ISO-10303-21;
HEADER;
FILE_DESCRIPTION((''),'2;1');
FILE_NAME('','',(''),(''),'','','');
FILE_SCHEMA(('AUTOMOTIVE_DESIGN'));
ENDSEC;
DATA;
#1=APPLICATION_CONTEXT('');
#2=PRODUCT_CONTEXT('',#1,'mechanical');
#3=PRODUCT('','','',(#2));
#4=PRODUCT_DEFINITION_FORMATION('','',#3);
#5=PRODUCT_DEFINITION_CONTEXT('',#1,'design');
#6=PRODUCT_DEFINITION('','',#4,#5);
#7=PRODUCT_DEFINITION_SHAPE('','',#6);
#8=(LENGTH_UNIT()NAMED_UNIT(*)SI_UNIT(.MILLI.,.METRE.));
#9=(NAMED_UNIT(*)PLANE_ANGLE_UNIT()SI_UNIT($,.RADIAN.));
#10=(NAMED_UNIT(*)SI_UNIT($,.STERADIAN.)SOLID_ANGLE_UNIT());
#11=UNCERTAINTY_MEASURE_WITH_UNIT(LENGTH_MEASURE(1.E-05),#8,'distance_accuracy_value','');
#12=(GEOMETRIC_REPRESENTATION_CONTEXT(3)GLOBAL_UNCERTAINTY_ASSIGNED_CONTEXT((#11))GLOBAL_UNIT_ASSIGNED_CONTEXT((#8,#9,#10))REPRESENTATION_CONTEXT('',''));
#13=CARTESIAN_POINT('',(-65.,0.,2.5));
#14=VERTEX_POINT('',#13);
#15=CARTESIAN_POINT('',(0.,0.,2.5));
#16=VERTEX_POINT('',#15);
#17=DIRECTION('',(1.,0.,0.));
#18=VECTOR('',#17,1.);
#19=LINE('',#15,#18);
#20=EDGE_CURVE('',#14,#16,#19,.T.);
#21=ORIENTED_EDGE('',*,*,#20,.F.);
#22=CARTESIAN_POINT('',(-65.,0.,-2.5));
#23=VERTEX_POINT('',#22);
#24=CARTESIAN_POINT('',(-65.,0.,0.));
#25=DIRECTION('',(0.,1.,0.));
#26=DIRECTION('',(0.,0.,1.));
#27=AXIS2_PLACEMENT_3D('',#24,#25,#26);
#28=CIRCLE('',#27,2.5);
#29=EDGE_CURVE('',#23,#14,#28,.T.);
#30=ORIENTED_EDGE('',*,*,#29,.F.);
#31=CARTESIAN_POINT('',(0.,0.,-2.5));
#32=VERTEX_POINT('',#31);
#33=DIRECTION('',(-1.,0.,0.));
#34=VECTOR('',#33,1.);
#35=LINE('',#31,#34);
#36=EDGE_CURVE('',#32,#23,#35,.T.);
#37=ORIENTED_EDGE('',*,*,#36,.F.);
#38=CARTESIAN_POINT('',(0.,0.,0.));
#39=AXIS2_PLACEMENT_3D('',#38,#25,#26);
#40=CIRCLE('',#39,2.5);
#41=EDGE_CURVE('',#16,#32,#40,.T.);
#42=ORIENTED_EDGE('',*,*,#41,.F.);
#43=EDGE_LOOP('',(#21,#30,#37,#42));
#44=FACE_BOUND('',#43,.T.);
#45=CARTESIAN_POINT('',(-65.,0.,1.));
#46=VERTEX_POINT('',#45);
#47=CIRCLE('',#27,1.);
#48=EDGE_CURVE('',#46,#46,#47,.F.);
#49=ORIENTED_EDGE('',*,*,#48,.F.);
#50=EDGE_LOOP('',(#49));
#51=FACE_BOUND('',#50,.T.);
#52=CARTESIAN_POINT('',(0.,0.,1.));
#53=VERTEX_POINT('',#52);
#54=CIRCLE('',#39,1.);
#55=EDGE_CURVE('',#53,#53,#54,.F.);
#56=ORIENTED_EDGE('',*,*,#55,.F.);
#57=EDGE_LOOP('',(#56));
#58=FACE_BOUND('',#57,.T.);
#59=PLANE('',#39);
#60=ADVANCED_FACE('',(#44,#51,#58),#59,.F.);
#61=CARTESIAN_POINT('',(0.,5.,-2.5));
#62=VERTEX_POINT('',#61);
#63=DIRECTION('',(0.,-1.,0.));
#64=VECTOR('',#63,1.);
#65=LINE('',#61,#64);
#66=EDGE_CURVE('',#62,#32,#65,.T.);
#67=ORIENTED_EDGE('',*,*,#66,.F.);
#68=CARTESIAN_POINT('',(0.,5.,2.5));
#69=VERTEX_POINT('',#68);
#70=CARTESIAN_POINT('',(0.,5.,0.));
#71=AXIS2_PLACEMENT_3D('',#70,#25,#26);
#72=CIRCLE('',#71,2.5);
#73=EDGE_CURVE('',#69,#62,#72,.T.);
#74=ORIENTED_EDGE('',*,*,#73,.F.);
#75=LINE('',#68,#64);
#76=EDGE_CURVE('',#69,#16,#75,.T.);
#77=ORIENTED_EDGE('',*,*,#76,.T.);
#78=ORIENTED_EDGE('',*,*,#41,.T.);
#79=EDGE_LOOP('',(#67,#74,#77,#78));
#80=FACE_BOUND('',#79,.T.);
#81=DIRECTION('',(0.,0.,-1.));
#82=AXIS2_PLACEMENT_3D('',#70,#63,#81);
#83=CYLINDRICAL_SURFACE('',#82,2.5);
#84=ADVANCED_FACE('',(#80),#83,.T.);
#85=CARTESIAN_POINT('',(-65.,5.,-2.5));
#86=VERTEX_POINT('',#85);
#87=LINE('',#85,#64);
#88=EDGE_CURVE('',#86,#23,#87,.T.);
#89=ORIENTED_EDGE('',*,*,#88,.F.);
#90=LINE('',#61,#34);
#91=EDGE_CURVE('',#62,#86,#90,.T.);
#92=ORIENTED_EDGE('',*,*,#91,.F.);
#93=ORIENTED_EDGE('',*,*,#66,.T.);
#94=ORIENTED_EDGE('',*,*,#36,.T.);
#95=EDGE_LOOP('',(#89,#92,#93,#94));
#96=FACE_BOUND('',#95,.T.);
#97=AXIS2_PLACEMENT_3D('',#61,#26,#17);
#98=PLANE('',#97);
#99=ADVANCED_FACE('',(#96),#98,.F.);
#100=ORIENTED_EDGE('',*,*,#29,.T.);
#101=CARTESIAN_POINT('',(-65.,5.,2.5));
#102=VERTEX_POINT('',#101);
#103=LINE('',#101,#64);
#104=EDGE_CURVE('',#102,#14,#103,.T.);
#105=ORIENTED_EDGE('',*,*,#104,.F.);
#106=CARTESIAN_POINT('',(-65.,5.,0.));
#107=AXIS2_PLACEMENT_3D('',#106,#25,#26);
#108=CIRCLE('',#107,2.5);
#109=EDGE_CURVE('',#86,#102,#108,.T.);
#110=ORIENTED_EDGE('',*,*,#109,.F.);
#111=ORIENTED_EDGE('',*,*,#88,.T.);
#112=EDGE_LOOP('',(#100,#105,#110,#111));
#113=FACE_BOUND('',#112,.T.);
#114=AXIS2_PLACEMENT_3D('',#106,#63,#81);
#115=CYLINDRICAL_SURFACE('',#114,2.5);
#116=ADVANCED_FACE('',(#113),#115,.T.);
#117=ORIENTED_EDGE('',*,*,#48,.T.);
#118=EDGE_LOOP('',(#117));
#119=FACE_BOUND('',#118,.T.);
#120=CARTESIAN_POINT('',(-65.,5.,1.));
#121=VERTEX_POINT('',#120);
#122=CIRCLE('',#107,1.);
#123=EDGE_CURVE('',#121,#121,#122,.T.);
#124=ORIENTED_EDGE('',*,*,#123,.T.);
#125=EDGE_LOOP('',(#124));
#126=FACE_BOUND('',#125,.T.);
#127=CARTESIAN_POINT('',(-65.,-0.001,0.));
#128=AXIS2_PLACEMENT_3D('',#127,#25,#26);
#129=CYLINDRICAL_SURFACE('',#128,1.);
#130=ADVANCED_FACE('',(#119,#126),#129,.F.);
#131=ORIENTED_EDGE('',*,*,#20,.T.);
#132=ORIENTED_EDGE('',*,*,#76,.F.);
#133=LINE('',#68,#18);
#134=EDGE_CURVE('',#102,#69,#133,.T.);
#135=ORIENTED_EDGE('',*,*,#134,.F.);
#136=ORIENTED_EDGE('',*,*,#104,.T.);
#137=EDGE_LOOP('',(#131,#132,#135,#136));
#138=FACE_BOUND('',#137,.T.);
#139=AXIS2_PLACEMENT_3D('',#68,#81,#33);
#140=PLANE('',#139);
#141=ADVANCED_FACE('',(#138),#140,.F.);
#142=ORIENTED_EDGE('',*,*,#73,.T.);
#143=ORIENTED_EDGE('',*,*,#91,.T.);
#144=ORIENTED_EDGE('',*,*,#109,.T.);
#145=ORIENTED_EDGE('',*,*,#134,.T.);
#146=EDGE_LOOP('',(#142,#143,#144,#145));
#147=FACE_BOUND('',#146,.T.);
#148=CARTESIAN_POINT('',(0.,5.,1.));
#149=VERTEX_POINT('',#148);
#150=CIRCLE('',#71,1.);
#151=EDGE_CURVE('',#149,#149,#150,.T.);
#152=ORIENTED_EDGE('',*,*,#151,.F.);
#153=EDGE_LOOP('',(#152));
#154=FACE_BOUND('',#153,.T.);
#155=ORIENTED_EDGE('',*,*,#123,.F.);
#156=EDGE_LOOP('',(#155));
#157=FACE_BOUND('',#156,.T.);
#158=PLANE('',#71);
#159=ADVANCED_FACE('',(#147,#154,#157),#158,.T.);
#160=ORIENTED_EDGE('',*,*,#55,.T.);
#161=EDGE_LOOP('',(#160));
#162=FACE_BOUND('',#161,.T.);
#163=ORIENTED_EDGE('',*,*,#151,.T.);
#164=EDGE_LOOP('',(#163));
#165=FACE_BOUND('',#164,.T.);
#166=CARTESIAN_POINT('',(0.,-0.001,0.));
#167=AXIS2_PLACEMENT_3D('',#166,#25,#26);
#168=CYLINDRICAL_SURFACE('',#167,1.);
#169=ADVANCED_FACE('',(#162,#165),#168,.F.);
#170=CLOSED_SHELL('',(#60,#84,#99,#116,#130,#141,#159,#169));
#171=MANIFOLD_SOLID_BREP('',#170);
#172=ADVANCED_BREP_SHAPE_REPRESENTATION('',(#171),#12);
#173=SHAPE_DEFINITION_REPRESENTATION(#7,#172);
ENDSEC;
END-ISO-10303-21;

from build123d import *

# Parameters (mm, degrees)
BOSS_EXTRUDE1_DEPTH = 5
CUT_EXTRUDE1_REACH  = 7
SKETCH2_R           = 1


with BuildPart() as part:
    # Sketch1 → Boss-Extrude1 (new body)
    with BuildSketch(Plane(origin=(0, 0, 0), x_dir=(1, 0, 0), z_dir=(0, 1, 0))):
        with BuildLine():
            Line((0, -2.5), (-65, -2.5))
            ThreePointArc((-65, -2.5), (-67.5, 0), (-65, 2.5))
            Line((-65, 2.5), (0, 2.5))
            ThreePointArc((0, 2.5), (2.5, 0), (0, -2.5))
        make_face()
    extrude(amount=BOSS_EXTRUDE1_DEPTH)

    # Sketch2 → Cut-Extrude1 (cut, up to next)
    with BuildSketch(Plane(origin=(0, 5, 0), x_dir=(1, 0, 0), z_dir=(0, 1, 0)), mode=Mode.PRIVATE) as cut_extrude1_sk1:
        with Locations((-65, 0)):
            Circle(SKETCH2_R)
    cut_extrude1_tool1 = extrude(cut_extrude1_sk1.sketch, amount=-CUT_EXTRUDE1_REACH, mode=Mode.PRIVATE) & part.part
    add(cut_extrude1_tool1.solids().sort_by_distance((-65, 5, 0))[0], mode=Mode.SUBTRACT)
    # Sketch2 → Cut-Extrude1 (cut, up to next)
    with BuildSketch(Plane(origin=(0, 5, 0), x_dir=(1, 0, 0), z_dir=(0, 1, 0)), mode=Mode.PRIVATE) as cut_extrude1_sk2:
        Circle(SKETCH2_R)
    cut_extrude1_tool2 = extrude(cut_extrude1_sk2.sketch, amount=-CUT_EXTRUDE1_REACH, mode=Mode.PRIVATE) & part.part
    add(cut_extrude1_tool2.solids().sort_by_distance((0, 5, 0))[0], mode=Mode.SUBTRACT)


solid = part.part
